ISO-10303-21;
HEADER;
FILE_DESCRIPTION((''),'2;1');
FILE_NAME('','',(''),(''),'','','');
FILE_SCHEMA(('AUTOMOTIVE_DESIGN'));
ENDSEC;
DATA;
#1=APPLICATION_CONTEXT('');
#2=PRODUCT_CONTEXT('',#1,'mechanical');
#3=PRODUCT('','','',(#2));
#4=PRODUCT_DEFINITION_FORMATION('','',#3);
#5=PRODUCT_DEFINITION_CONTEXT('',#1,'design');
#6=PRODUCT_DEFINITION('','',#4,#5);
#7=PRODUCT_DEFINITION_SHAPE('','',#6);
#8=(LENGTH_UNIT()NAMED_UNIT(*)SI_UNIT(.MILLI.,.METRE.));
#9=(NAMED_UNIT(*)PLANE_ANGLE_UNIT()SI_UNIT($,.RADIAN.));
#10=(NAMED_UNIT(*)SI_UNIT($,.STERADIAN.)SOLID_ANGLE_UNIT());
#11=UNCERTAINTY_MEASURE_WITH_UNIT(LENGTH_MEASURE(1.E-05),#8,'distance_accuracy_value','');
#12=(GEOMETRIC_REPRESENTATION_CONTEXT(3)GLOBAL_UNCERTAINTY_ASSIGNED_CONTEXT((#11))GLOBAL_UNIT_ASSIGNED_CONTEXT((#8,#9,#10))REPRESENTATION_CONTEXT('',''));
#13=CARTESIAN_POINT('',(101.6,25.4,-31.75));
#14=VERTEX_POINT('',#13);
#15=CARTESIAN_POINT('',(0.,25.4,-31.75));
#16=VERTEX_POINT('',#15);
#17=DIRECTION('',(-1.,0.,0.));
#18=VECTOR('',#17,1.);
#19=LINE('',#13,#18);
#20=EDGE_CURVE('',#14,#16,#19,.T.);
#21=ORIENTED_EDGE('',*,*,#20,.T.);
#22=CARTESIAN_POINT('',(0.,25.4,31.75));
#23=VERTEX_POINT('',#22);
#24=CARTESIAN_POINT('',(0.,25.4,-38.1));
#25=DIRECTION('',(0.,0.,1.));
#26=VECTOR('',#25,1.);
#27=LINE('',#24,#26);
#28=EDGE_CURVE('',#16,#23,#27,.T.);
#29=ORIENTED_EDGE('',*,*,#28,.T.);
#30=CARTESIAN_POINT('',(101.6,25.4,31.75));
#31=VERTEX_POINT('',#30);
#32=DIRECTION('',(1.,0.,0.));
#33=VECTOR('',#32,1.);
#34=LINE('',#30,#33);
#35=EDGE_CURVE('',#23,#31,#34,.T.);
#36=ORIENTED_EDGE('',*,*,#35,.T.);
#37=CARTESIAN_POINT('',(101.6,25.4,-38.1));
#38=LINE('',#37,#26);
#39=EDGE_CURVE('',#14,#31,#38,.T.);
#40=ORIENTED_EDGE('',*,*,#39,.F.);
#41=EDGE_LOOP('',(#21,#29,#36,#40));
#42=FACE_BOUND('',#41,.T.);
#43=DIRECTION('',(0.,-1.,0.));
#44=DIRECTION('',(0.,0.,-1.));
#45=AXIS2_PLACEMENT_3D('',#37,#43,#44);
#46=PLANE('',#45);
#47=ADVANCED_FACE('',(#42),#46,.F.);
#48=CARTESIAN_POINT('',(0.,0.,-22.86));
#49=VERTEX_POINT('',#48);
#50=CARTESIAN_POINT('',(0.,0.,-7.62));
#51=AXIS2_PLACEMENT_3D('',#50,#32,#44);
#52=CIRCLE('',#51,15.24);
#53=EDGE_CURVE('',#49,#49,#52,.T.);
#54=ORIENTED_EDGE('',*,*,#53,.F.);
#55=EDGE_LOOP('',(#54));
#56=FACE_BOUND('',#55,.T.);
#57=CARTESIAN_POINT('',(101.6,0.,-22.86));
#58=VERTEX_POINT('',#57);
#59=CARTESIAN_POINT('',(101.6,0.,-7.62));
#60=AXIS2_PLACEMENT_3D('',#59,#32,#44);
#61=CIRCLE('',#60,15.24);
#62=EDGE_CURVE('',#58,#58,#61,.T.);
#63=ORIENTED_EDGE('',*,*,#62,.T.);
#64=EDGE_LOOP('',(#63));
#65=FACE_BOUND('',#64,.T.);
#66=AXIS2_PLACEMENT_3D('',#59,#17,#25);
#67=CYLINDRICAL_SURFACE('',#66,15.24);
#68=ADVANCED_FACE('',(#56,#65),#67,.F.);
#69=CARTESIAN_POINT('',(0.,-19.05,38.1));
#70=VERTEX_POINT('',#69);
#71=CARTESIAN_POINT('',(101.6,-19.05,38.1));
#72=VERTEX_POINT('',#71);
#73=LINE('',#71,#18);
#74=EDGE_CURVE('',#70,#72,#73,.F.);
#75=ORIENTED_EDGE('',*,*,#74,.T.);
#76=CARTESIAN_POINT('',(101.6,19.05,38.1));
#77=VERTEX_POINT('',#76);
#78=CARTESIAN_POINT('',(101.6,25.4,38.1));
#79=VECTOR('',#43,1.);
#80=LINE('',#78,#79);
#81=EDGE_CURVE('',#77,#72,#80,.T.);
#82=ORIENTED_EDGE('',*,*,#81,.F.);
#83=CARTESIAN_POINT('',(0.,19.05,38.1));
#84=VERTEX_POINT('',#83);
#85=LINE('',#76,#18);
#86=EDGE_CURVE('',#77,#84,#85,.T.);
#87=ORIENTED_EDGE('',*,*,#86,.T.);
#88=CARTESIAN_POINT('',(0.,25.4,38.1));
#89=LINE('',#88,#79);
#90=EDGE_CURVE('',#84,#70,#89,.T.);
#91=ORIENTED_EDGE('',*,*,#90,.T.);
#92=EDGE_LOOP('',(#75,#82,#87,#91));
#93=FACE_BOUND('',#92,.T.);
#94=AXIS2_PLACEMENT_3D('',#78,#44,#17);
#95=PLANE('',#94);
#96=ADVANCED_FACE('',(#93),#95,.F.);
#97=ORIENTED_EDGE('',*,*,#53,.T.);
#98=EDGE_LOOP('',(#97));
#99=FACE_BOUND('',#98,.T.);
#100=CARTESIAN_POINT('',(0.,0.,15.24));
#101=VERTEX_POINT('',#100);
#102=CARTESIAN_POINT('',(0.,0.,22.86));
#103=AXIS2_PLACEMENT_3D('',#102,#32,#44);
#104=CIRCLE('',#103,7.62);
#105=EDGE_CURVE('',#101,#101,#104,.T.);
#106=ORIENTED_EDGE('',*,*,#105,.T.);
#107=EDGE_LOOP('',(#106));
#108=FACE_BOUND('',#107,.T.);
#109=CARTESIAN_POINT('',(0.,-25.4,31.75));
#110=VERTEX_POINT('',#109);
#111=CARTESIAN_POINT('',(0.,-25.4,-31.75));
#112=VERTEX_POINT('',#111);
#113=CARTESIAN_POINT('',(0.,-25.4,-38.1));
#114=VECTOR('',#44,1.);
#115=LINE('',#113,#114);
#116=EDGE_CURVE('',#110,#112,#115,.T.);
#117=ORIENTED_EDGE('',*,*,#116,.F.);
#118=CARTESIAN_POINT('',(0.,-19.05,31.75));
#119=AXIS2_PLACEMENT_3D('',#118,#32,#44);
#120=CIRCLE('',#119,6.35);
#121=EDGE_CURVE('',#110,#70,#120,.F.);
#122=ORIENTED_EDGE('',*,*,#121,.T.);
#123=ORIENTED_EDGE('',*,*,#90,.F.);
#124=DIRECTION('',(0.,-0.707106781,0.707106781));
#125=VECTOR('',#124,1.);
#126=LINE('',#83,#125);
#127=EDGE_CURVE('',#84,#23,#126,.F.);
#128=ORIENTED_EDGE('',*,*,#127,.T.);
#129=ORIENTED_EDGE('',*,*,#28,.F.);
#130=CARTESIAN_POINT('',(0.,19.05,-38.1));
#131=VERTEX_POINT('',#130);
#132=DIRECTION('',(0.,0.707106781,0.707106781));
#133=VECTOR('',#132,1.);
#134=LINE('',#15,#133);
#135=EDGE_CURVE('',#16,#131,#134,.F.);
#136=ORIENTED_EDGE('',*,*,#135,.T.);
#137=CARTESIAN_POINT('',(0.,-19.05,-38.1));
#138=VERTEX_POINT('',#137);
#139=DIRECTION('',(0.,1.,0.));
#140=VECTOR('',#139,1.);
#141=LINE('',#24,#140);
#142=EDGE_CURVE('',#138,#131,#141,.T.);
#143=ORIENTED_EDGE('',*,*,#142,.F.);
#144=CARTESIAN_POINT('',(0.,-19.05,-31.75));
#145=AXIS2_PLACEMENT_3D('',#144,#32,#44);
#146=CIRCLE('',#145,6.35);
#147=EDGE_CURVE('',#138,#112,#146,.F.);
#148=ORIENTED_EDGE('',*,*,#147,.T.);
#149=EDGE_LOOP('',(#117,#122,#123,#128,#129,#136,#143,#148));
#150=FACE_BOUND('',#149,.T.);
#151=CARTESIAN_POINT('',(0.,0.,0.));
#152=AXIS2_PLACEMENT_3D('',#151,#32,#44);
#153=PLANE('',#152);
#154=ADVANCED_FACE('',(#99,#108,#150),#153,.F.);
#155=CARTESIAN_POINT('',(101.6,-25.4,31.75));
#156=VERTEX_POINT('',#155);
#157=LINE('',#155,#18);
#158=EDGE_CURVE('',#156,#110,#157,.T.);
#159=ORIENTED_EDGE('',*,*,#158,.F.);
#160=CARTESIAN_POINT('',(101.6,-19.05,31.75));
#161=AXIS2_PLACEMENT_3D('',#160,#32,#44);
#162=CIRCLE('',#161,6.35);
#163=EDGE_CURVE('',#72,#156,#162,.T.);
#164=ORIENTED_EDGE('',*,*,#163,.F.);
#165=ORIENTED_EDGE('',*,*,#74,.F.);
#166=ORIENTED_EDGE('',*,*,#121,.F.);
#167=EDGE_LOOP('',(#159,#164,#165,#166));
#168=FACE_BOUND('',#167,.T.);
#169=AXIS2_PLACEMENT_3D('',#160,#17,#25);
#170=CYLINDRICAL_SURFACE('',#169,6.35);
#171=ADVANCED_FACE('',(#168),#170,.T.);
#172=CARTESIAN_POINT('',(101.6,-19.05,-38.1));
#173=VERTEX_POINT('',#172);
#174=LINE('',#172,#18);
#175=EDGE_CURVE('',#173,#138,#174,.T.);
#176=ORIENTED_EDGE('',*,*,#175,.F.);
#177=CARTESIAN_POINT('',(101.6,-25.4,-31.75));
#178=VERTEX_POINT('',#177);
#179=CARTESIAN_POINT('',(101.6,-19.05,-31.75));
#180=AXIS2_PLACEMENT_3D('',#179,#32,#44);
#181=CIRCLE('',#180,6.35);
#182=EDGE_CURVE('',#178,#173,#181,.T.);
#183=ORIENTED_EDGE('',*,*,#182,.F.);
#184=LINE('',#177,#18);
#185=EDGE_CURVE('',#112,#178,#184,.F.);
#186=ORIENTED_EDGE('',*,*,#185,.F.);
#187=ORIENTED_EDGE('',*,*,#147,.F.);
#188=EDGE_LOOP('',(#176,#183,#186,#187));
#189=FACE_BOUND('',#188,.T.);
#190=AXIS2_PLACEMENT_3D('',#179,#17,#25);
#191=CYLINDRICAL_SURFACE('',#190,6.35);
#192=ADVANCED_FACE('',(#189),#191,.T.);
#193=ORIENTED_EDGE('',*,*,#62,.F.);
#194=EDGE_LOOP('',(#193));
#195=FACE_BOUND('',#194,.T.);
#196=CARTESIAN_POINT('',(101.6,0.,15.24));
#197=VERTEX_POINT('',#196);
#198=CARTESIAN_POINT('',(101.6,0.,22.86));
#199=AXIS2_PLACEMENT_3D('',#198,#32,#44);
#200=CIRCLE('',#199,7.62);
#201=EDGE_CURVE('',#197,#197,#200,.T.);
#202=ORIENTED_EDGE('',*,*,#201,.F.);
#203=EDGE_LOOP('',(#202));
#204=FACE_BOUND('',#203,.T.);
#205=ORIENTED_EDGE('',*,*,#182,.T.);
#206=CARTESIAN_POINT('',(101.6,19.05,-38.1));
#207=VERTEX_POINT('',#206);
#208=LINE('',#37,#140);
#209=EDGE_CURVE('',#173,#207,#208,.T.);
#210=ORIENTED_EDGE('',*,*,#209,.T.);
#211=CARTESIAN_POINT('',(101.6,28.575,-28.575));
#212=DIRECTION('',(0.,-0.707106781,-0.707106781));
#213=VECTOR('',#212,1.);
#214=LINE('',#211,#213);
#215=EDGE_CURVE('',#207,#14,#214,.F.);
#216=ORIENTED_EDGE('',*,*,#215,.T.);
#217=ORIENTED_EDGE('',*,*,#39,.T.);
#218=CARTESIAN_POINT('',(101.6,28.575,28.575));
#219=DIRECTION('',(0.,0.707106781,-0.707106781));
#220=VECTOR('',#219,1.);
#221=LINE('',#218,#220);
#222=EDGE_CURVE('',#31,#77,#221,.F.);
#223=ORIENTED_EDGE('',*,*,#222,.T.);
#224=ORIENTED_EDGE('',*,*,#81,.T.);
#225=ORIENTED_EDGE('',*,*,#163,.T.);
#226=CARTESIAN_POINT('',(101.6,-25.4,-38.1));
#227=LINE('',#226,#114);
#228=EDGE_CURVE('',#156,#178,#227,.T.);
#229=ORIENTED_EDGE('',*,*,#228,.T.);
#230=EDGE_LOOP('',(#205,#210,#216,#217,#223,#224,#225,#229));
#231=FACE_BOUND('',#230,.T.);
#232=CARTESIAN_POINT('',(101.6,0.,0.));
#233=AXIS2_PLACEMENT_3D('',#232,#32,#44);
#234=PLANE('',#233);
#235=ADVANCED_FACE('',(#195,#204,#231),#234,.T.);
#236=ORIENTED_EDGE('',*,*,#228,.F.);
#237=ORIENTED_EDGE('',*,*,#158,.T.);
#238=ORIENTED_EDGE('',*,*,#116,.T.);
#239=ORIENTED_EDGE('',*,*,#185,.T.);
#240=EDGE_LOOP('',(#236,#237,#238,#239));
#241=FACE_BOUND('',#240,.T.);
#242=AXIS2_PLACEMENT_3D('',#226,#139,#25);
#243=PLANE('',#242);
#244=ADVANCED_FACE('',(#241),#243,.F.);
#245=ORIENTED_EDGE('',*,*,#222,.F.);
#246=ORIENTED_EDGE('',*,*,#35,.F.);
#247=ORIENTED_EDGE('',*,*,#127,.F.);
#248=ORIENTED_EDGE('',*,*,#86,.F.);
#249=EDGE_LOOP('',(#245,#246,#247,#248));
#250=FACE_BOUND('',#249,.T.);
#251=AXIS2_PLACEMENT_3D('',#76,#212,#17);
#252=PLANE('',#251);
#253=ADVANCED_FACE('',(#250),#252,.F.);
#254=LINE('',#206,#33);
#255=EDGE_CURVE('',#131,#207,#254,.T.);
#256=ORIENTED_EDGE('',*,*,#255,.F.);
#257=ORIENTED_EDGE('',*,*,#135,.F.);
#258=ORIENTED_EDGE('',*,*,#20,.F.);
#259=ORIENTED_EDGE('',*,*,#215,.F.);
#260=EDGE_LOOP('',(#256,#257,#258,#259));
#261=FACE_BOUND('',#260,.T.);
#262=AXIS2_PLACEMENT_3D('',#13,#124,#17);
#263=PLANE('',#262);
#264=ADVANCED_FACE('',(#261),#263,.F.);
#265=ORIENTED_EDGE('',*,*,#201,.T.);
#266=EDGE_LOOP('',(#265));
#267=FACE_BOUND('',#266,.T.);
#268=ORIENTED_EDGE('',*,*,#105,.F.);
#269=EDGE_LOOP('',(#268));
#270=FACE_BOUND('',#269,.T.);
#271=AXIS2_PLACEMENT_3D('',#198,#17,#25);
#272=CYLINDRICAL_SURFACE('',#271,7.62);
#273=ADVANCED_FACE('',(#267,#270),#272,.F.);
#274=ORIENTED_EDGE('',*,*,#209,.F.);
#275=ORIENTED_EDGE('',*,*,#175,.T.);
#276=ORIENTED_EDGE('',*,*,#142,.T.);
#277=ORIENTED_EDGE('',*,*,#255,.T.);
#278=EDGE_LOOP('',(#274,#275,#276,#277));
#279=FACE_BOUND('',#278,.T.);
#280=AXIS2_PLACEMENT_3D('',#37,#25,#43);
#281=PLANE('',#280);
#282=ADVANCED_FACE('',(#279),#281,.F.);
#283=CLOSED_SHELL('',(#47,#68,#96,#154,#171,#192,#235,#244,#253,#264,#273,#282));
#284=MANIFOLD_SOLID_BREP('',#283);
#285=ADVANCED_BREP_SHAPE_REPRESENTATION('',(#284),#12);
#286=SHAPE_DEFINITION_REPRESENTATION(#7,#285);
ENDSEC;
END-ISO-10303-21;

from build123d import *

# Parameters (mm, degrees)
SKETCH1_W           = 50.8
SKETCH1_H           = 76.2
SKETCH1_R           = 15.24
SKETCH1_R_2         = 7.62
BOSS_EXTRUDE1_DEPTH = 101.6
FILLET1_R           = 6.35
CHAMFER1_SIZE       = 6.35


with BuildPart() as part:
    # Sketch1 → Boss-Extrude1 (new body)
    with BuildSketch(Plane.YZ):
        Rectangle(SKETCH1_W, SKETCH1_H)
        with Locations(Location((0, -7.62, 0), (0, 0, 270))):
            Circle(SKETCH1_R, mode=Mode.SUBTRACT)
        with Locations(Location((0, 22.86, 0), (0, 0, 270))):
            Circle(SKETCH1_R_2, mode=Mode.SUBTRACT)
    extrude(amount=BOSS_EXTRUDE1_DEPTH)

    # Fillet1
    fillet1_edges = [part.edges().sort_by_distance(p)[0] for p in [
        (50.8, -25.4, 38.1),
        (50.8, -25.4, -38.1),
    ]]
    fillet(fillet1_edges, radius=FILLET1_R)

    # Chamfer1
    chamfer1_edges = [part.edges().sort_by_distance(p)[0] for p in [
        (50.8, 25.4, 38.1),
        (50.8, 25.4, -38.1),
    ]]
    chamfer(chamfer1_edges, length=CHAMFER1_SIZE)


solid = part.part
